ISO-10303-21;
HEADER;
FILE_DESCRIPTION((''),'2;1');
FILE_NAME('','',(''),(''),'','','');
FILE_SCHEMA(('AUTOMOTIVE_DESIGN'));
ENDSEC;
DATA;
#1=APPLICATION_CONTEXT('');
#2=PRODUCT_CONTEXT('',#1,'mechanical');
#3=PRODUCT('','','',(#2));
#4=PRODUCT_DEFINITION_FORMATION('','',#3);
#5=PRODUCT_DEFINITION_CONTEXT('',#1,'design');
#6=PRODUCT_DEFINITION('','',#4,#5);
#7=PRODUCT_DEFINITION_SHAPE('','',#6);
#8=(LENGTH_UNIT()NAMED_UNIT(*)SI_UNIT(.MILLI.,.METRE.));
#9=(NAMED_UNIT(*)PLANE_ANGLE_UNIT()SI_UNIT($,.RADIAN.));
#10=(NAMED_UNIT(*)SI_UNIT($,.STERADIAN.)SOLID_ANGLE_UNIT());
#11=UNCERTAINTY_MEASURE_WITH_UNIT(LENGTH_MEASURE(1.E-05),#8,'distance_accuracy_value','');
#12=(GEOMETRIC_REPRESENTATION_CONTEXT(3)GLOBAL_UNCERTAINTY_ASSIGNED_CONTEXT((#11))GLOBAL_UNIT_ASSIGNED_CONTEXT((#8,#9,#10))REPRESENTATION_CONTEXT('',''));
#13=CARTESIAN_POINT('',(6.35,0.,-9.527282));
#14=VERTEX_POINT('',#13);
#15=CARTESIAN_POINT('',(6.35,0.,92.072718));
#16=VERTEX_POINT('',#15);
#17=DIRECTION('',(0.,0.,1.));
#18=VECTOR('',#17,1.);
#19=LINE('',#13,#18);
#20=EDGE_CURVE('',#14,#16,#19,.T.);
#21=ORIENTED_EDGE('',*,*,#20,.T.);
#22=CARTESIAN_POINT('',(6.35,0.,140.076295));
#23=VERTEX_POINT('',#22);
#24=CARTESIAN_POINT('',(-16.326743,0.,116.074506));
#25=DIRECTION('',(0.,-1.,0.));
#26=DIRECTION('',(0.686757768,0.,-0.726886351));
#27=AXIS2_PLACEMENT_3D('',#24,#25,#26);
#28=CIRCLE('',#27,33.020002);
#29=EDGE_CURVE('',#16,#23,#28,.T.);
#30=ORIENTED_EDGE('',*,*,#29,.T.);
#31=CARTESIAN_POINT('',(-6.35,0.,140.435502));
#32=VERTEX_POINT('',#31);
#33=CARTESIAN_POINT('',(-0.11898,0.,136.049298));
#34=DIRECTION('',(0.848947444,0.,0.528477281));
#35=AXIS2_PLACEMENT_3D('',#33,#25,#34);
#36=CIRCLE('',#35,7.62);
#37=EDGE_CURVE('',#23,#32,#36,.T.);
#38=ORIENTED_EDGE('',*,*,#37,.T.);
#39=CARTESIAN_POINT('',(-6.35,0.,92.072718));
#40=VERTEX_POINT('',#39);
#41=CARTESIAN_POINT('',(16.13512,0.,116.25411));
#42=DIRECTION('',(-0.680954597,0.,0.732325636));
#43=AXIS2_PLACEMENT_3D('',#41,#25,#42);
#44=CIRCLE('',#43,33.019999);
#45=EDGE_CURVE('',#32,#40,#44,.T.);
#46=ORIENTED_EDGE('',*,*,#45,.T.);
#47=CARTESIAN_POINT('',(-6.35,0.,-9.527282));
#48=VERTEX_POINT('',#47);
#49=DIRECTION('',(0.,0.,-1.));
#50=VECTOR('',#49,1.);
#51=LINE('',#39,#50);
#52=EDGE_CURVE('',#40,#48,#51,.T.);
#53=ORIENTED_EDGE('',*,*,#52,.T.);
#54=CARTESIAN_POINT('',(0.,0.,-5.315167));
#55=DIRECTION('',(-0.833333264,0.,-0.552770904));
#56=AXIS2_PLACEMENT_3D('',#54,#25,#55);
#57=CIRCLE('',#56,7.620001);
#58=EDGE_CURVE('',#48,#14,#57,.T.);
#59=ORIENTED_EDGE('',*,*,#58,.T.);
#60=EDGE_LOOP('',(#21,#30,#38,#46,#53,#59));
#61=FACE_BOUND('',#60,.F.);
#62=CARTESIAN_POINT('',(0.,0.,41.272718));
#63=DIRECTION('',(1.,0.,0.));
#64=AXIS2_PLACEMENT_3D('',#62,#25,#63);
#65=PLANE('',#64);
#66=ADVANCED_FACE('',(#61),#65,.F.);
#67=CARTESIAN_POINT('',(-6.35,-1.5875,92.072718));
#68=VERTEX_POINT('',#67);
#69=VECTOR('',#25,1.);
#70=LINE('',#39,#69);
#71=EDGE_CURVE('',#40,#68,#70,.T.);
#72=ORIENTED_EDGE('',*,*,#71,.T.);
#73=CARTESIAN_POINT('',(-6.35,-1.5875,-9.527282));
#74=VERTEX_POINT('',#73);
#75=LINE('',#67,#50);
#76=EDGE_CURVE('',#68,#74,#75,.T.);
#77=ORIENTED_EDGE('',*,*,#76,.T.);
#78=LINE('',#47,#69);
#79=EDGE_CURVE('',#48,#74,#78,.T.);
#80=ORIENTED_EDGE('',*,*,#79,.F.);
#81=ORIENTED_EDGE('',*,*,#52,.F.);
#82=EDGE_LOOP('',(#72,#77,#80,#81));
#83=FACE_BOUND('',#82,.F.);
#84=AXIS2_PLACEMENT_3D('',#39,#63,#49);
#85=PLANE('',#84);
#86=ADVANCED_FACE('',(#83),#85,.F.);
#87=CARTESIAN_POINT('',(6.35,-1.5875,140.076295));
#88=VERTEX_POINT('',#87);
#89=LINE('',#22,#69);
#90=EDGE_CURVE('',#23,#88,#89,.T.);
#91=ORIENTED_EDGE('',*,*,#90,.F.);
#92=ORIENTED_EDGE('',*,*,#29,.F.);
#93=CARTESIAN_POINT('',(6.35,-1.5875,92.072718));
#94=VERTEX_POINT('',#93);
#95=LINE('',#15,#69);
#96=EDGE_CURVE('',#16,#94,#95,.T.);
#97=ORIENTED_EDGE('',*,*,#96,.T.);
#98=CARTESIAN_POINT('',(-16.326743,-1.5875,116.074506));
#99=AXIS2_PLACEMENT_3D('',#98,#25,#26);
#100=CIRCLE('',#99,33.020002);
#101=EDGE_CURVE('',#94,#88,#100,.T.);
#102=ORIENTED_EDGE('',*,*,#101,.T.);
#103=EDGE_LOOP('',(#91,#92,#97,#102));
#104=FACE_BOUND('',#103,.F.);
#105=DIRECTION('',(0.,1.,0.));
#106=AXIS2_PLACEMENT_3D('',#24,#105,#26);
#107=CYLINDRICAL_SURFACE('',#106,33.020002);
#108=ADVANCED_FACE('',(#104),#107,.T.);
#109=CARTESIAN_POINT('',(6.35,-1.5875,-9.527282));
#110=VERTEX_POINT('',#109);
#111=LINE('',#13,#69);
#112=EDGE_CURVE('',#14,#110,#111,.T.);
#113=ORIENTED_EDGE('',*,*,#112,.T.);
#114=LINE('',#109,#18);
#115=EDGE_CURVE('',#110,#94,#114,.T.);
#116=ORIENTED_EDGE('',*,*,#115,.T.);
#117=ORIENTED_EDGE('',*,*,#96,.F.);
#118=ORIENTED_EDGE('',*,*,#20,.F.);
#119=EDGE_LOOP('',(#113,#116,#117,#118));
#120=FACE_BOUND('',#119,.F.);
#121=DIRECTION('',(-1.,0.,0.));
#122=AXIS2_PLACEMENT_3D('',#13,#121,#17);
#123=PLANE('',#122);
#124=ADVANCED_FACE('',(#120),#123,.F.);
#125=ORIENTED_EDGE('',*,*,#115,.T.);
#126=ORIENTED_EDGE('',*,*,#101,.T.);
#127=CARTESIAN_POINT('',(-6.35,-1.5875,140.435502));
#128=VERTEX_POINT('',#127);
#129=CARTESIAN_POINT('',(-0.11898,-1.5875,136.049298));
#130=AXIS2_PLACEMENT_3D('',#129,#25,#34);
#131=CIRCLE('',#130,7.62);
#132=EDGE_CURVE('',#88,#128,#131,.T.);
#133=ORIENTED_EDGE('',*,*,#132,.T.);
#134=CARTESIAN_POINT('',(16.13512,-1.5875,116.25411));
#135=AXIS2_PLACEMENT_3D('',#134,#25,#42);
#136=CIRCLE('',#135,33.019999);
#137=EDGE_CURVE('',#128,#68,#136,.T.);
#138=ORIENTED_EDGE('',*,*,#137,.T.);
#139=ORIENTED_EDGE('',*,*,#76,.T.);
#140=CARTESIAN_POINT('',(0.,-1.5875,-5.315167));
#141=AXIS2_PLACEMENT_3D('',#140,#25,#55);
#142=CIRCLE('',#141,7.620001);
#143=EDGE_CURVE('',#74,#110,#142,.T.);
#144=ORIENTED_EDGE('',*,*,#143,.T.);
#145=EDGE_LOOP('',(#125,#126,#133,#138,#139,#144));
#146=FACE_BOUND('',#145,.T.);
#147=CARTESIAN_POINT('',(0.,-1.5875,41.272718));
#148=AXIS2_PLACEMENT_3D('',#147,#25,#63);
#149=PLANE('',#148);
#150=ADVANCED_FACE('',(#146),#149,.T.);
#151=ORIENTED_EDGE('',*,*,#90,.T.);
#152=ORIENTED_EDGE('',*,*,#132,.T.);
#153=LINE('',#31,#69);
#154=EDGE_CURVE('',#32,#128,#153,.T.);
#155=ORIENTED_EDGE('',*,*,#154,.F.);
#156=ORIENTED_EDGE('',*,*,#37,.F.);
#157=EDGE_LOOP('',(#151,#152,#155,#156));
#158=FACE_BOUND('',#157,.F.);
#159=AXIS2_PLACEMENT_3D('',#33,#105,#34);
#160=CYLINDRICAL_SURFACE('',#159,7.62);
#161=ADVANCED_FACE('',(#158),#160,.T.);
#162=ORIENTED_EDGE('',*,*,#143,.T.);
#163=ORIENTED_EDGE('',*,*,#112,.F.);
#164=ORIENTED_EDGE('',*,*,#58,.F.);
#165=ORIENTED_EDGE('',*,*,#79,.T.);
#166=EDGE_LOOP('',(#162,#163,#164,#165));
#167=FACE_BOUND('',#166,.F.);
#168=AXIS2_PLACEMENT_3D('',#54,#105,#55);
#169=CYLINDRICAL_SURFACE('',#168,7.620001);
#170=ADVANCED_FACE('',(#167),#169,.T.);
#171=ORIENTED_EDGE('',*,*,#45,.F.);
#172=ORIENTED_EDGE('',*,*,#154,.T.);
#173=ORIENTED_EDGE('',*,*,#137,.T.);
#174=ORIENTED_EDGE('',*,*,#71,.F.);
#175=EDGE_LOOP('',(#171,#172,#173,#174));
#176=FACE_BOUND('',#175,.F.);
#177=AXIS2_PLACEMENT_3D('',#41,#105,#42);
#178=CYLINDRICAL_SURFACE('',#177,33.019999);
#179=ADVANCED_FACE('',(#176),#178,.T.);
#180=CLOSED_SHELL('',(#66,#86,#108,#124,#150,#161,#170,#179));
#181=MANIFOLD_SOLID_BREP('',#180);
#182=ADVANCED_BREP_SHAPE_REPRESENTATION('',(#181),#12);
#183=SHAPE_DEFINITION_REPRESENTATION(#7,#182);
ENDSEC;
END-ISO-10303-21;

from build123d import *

# Parameters (mm, degrees)
F1_DEPTH = 1.5875


with BuildPart() as f1:
    # F0 (on Front) → F1 (new body)
    with BuildSketch(Plane.XZ):
        Polygon((-6.35, 92.072718), (-6.35, 0), (-6.35, -9.527282), (6.35, -9.527282), (6.35, 92.072718), align=None)
        with BuildLine():
            Line((6.35, -9.527282), (-6.35, -9.527282))
            ThreePointArc((-6.35, -9.527282), (0, -12.935168), (6.35, -9.527282))
        make_face()
        with BuildLine():
            ThreePointArc((-6.35, 140.435502), (-16.884879, 116.25411), (-6.35, 92.072718))
            Line((-6.35, 92.072718), (6.35, 92.072718))
            ThreePointArc((6.35, 92.072718), (16.693259, 116.074506), (6.35, 140.076295))
            ThreePointArc((6.35, 140.076295), (0.096459, 143.666252), (-6.35, 140.435502))
        make_face()
    extrude(amount=F1_DEPTH)


solid = f1.part
